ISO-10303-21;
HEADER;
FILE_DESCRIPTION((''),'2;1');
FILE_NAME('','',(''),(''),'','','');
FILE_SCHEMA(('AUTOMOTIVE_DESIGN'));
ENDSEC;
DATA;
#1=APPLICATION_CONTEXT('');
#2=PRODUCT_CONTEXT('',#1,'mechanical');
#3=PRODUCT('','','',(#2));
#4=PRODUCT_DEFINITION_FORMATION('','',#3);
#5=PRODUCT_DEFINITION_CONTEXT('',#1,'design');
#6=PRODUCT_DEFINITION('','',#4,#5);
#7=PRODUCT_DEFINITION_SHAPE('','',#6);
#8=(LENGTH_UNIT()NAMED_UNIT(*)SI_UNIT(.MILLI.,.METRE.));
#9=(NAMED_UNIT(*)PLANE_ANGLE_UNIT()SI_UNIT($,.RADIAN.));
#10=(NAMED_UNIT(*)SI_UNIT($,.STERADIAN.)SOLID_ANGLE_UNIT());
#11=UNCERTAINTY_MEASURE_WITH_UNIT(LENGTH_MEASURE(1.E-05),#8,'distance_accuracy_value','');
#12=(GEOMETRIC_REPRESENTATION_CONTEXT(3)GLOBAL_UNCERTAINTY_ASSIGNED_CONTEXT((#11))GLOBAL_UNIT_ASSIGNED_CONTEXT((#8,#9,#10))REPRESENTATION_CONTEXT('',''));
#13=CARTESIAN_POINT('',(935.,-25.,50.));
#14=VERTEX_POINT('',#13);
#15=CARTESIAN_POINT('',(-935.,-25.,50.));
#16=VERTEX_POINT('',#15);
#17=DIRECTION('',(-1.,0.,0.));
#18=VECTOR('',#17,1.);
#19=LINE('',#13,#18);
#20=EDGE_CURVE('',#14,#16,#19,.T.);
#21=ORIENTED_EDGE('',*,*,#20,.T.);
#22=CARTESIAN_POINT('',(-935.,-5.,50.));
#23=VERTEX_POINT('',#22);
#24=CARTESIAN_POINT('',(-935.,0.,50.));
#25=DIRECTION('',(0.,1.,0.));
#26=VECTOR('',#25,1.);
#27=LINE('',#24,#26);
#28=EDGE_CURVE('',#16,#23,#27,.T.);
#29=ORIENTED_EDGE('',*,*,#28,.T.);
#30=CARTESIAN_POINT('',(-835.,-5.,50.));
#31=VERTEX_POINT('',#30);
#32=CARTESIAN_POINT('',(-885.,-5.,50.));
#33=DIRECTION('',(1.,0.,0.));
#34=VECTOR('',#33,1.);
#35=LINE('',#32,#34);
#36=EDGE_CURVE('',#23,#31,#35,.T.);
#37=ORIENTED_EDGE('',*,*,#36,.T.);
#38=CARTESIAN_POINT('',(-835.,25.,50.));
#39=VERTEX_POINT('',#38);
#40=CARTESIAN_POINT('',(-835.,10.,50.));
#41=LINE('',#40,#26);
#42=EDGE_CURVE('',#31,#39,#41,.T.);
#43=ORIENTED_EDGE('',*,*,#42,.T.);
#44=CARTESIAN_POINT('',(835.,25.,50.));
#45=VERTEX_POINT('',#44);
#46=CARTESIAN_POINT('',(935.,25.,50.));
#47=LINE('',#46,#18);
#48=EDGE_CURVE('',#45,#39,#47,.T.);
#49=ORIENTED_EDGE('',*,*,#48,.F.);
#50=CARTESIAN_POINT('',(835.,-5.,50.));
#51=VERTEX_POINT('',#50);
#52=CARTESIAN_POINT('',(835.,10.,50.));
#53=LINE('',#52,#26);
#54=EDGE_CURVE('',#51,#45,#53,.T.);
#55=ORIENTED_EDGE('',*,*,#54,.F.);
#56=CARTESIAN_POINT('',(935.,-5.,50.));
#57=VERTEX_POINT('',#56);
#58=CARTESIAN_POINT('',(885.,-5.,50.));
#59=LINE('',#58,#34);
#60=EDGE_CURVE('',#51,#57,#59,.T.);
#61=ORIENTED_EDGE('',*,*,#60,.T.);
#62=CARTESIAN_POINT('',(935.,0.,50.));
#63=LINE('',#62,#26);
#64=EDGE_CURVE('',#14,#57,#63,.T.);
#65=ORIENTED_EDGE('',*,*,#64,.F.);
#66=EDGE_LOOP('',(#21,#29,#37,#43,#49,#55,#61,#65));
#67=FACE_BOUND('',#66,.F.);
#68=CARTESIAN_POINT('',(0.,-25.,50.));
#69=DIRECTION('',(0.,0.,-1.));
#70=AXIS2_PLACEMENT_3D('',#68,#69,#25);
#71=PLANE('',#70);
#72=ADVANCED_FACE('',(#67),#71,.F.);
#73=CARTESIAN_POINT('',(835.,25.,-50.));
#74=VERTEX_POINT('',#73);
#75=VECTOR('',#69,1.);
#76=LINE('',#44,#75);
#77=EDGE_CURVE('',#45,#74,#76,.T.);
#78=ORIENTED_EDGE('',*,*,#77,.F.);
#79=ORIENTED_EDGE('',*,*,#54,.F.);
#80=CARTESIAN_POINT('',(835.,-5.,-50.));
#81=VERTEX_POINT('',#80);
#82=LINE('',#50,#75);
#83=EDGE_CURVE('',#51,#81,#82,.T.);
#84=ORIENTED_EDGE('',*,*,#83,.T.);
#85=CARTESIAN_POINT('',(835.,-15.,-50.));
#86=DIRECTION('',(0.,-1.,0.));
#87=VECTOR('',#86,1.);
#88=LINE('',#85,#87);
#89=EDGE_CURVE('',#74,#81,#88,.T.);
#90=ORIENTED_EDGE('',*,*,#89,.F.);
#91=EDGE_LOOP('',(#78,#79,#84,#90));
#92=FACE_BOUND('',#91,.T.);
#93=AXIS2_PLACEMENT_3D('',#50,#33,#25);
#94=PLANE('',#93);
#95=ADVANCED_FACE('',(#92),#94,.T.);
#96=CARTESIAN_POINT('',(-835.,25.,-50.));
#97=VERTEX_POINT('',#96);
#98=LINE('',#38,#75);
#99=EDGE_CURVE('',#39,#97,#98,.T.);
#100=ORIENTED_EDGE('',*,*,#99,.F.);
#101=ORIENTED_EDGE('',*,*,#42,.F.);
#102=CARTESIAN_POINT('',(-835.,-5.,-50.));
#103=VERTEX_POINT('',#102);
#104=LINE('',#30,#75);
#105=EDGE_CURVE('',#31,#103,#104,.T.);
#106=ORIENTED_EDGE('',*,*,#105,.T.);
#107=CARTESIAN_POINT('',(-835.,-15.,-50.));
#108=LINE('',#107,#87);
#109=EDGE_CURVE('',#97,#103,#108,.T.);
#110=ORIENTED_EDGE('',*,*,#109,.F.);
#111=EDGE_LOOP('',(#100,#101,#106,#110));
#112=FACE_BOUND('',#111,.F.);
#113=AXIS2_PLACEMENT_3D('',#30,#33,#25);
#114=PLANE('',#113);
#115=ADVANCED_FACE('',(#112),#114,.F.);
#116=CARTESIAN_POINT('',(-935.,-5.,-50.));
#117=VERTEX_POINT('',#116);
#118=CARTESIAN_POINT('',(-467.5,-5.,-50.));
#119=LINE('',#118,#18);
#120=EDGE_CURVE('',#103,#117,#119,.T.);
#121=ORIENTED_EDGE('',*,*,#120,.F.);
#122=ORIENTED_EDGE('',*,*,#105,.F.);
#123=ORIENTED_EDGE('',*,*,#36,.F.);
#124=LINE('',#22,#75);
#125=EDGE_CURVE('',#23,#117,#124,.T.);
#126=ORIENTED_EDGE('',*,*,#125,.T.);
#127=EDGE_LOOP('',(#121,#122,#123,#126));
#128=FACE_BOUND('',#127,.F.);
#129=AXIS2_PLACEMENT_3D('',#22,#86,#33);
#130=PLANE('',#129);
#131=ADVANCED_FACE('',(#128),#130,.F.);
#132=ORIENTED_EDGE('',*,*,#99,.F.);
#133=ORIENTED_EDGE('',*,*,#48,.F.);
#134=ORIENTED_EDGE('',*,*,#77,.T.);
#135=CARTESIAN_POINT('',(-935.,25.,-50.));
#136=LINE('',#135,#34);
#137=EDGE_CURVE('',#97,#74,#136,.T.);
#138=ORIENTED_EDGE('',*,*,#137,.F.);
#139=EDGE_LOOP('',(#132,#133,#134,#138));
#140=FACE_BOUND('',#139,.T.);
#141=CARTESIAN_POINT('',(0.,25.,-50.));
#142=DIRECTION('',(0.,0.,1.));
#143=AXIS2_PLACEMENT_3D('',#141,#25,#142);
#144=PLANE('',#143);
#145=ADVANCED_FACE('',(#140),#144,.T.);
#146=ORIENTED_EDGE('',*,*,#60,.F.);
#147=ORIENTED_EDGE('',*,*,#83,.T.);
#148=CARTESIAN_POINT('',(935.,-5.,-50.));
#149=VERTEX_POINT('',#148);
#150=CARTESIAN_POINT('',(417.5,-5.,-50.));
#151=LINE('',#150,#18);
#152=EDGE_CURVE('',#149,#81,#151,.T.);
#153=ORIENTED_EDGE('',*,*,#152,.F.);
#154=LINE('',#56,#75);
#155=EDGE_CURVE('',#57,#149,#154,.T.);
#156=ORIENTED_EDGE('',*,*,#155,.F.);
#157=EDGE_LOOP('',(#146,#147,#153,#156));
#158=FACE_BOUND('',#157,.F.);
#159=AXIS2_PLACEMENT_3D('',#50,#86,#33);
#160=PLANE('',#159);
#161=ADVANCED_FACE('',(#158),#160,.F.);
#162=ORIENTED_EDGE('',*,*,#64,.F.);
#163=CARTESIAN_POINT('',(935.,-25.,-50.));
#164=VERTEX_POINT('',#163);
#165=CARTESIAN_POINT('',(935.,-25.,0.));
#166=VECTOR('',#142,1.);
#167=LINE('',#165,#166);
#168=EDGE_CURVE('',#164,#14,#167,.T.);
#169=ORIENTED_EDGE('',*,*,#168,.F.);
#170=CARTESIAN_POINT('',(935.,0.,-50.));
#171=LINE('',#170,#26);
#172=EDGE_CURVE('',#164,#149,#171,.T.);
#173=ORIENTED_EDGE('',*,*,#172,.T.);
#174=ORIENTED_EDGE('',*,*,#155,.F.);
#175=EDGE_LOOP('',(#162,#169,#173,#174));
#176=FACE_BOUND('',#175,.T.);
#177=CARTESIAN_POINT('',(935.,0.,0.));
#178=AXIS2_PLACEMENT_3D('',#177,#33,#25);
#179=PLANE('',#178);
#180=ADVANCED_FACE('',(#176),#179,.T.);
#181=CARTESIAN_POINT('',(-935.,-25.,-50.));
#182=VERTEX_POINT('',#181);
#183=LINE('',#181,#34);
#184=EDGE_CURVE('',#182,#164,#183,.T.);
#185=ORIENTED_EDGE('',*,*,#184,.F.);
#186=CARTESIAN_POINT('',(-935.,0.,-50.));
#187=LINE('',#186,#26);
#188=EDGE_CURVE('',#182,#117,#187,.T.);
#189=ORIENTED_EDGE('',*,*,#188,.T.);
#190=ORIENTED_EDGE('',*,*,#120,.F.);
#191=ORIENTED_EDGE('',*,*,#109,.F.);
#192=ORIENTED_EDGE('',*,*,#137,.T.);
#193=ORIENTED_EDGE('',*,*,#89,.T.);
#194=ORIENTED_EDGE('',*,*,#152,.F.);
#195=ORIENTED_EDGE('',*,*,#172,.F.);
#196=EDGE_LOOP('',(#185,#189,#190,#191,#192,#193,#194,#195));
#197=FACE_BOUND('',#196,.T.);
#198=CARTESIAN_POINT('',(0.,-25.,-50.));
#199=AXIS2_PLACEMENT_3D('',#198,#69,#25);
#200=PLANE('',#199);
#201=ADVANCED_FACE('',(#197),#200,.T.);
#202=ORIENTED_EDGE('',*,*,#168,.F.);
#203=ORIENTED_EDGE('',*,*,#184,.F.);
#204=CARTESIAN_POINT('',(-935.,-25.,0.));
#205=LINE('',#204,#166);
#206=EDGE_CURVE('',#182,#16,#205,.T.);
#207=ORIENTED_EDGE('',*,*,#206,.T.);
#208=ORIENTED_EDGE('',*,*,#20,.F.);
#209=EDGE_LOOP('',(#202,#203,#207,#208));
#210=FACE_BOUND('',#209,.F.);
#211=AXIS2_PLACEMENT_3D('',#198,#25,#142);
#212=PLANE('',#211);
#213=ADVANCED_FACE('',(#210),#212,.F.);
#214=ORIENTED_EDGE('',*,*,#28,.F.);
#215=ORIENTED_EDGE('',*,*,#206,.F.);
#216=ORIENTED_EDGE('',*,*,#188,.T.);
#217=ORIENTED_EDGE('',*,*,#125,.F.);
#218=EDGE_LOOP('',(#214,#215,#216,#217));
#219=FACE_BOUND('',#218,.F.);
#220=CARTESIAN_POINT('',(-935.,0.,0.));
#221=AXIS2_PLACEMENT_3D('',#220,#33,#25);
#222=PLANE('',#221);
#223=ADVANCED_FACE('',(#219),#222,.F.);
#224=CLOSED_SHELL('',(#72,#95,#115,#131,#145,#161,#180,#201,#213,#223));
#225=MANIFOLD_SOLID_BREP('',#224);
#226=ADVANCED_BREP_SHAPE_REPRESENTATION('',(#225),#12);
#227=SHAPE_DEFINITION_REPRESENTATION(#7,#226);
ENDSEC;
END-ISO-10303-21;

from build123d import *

# Parameters (mm, degrees)
F1_W     = 50
F1_H     = 100
F2_DEPTH = 935
F3_W     = 100
F3_H     = 30
F4_DEPTH = 100.001


with BuildPart() as f2:
    # F1 (on Right) → F2 (new body, symmetric)
    with BuildSketch(Plane.YZ):
        Rectangle(F1_W, F1_H)
    extrude(amount=F2_DEPTH, both=True)

    # F3 (on face) → F4 (cut, through all)
    with BuildSketch(Plane.XY.offset(50)):
        with Locations((-885, 10)):
            Rectangle(F3_W, F3_H)
        with Locations((885, 10)):
            Rectangle(F3_W, F3_H)
    extrude(amount=-F4_DEPTH, mode=Mode.SUBTRACT)


solid = f2.part
